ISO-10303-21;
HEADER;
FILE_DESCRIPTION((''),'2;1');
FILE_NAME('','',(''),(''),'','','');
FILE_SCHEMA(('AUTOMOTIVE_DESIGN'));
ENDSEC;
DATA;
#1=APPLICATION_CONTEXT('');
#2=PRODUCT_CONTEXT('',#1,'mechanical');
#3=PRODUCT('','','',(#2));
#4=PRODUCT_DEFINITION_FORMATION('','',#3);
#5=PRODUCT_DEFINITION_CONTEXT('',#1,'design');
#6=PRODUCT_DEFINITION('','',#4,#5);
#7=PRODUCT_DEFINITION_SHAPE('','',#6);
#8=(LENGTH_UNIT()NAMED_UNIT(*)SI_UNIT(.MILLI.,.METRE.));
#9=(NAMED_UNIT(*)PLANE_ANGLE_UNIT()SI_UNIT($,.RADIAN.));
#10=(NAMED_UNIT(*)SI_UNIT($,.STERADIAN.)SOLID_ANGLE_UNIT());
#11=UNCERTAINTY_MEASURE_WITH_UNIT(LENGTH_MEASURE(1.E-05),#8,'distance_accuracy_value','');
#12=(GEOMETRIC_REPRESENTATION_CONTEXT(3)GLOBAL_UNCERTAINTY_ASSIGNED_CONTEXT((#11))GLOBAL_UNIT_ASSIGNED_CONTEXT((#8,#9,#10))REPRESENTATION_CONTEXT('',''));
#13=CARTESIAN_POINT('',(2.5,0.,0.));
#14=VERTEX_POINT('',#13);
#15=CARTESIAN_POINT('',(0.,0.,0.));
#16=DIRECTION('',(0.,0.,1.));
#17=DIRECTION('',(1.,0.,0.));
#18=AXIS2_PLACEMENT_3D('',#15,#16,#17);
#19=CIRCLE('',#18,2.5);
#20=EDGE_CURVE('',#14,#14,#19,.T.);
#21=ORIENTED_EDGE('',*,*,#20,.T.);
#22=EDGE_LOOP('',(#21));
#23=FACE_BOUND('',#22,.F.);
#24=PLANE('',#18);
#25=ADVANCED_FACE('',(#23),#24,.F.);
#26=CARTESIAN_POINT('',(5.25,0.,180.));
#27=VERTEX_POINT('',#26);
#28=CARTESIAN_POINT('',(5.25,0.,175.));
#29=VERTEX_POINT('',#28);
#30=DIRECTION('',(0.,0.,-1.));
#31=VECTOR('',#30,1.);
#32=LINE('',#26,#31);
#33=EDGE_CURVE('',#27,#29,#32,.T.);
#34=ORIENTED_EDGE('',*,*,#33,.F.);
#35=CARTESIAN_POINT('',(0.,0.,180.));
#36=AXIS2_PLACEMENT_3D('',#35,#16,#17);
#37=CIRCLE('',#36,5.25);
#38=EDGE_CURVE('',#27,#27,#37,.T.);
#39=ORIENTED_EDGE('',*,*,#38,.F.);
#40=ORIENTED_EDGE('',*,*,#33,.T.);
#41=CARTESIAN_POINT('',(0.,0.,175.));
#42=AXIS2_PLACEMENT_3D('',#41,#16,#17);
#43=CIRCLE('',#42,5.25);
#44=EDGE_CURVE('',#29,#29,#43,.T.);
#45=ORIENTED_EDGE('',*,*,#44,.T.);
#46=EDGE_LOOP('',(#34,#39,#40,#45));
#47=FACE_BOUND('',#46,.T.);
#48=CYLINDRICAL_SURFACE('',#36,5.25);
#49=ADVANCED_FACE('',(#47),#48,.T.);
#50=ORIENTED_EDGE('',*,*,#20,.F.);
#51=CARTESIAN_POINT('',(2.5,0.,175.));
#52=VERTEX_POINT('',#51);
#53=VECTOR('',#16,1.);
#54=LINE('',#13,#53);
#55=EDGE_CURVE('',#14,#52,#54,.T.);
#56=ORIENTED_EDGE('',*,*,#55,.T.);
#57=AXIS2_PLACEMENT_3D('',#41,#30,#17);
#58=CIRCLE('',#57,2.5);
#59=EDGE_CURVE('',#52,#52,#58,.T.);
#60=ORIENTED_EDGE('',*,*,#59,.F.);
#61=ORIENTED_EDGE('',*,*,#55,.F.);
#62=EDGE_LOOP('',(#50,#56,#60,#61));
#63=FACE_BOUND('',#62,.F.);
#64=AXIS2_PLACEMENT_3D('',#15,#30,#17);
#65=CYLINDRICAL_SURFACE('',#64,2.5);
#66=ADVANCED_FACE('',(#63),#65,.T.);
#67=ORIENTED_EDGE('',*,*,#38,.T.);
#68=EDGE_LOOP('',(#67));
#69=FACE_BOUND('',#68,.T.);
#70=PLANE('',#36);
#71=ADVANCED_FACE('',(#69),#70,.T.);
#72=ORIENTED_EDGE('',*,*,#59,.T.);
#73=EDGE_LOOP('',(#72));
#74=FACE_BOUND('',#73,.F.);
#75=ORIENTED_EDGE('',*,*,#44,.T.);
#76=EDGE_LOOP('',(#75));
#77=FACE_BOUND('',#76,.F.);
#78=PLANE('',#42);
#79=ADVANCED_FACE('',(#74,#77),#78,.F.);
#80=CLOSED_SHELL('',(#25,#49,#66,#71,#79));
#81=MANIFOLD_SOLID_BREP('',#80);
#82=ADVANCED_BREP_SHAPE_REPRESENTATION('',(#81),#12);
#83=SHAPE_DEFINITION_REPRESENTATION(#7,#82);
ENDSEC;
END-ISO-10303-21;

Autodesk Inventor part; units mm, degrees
ref_plane "YZ Plane" through (0, 0, 0) normal (1, 0, 0) x (0, 1, 0)
ref_plane "XZ Plane" through (0, 0, 0) normal (0, 1, 0) x (-1, 0, 0)
ref_plane "XY Plane" through (0, 0, 0) normal (0, 0, 1) x (1, 0, 0)
sketch "Sketch1" plane through (0, 0, 0) normal (0, 0, 1) x (1, 0, 0)
  circle A0 centre (0, 0) radius 2.5
  dimension "d0" = 5
extrude "Extrusion1" add sketch "Sketch1" along normal blind 180
sketch "Sketch2" plane through (0, 0, 180) normal (0, 0, 1) x (1, 0, 0)
  circle A0 centre (0, 0) radius 5.25
  dimension "d3" = 10.5
extrude "Extrusion2" add sketch "Sketch2" against normal blind 5
properties part number "wood_screw"
